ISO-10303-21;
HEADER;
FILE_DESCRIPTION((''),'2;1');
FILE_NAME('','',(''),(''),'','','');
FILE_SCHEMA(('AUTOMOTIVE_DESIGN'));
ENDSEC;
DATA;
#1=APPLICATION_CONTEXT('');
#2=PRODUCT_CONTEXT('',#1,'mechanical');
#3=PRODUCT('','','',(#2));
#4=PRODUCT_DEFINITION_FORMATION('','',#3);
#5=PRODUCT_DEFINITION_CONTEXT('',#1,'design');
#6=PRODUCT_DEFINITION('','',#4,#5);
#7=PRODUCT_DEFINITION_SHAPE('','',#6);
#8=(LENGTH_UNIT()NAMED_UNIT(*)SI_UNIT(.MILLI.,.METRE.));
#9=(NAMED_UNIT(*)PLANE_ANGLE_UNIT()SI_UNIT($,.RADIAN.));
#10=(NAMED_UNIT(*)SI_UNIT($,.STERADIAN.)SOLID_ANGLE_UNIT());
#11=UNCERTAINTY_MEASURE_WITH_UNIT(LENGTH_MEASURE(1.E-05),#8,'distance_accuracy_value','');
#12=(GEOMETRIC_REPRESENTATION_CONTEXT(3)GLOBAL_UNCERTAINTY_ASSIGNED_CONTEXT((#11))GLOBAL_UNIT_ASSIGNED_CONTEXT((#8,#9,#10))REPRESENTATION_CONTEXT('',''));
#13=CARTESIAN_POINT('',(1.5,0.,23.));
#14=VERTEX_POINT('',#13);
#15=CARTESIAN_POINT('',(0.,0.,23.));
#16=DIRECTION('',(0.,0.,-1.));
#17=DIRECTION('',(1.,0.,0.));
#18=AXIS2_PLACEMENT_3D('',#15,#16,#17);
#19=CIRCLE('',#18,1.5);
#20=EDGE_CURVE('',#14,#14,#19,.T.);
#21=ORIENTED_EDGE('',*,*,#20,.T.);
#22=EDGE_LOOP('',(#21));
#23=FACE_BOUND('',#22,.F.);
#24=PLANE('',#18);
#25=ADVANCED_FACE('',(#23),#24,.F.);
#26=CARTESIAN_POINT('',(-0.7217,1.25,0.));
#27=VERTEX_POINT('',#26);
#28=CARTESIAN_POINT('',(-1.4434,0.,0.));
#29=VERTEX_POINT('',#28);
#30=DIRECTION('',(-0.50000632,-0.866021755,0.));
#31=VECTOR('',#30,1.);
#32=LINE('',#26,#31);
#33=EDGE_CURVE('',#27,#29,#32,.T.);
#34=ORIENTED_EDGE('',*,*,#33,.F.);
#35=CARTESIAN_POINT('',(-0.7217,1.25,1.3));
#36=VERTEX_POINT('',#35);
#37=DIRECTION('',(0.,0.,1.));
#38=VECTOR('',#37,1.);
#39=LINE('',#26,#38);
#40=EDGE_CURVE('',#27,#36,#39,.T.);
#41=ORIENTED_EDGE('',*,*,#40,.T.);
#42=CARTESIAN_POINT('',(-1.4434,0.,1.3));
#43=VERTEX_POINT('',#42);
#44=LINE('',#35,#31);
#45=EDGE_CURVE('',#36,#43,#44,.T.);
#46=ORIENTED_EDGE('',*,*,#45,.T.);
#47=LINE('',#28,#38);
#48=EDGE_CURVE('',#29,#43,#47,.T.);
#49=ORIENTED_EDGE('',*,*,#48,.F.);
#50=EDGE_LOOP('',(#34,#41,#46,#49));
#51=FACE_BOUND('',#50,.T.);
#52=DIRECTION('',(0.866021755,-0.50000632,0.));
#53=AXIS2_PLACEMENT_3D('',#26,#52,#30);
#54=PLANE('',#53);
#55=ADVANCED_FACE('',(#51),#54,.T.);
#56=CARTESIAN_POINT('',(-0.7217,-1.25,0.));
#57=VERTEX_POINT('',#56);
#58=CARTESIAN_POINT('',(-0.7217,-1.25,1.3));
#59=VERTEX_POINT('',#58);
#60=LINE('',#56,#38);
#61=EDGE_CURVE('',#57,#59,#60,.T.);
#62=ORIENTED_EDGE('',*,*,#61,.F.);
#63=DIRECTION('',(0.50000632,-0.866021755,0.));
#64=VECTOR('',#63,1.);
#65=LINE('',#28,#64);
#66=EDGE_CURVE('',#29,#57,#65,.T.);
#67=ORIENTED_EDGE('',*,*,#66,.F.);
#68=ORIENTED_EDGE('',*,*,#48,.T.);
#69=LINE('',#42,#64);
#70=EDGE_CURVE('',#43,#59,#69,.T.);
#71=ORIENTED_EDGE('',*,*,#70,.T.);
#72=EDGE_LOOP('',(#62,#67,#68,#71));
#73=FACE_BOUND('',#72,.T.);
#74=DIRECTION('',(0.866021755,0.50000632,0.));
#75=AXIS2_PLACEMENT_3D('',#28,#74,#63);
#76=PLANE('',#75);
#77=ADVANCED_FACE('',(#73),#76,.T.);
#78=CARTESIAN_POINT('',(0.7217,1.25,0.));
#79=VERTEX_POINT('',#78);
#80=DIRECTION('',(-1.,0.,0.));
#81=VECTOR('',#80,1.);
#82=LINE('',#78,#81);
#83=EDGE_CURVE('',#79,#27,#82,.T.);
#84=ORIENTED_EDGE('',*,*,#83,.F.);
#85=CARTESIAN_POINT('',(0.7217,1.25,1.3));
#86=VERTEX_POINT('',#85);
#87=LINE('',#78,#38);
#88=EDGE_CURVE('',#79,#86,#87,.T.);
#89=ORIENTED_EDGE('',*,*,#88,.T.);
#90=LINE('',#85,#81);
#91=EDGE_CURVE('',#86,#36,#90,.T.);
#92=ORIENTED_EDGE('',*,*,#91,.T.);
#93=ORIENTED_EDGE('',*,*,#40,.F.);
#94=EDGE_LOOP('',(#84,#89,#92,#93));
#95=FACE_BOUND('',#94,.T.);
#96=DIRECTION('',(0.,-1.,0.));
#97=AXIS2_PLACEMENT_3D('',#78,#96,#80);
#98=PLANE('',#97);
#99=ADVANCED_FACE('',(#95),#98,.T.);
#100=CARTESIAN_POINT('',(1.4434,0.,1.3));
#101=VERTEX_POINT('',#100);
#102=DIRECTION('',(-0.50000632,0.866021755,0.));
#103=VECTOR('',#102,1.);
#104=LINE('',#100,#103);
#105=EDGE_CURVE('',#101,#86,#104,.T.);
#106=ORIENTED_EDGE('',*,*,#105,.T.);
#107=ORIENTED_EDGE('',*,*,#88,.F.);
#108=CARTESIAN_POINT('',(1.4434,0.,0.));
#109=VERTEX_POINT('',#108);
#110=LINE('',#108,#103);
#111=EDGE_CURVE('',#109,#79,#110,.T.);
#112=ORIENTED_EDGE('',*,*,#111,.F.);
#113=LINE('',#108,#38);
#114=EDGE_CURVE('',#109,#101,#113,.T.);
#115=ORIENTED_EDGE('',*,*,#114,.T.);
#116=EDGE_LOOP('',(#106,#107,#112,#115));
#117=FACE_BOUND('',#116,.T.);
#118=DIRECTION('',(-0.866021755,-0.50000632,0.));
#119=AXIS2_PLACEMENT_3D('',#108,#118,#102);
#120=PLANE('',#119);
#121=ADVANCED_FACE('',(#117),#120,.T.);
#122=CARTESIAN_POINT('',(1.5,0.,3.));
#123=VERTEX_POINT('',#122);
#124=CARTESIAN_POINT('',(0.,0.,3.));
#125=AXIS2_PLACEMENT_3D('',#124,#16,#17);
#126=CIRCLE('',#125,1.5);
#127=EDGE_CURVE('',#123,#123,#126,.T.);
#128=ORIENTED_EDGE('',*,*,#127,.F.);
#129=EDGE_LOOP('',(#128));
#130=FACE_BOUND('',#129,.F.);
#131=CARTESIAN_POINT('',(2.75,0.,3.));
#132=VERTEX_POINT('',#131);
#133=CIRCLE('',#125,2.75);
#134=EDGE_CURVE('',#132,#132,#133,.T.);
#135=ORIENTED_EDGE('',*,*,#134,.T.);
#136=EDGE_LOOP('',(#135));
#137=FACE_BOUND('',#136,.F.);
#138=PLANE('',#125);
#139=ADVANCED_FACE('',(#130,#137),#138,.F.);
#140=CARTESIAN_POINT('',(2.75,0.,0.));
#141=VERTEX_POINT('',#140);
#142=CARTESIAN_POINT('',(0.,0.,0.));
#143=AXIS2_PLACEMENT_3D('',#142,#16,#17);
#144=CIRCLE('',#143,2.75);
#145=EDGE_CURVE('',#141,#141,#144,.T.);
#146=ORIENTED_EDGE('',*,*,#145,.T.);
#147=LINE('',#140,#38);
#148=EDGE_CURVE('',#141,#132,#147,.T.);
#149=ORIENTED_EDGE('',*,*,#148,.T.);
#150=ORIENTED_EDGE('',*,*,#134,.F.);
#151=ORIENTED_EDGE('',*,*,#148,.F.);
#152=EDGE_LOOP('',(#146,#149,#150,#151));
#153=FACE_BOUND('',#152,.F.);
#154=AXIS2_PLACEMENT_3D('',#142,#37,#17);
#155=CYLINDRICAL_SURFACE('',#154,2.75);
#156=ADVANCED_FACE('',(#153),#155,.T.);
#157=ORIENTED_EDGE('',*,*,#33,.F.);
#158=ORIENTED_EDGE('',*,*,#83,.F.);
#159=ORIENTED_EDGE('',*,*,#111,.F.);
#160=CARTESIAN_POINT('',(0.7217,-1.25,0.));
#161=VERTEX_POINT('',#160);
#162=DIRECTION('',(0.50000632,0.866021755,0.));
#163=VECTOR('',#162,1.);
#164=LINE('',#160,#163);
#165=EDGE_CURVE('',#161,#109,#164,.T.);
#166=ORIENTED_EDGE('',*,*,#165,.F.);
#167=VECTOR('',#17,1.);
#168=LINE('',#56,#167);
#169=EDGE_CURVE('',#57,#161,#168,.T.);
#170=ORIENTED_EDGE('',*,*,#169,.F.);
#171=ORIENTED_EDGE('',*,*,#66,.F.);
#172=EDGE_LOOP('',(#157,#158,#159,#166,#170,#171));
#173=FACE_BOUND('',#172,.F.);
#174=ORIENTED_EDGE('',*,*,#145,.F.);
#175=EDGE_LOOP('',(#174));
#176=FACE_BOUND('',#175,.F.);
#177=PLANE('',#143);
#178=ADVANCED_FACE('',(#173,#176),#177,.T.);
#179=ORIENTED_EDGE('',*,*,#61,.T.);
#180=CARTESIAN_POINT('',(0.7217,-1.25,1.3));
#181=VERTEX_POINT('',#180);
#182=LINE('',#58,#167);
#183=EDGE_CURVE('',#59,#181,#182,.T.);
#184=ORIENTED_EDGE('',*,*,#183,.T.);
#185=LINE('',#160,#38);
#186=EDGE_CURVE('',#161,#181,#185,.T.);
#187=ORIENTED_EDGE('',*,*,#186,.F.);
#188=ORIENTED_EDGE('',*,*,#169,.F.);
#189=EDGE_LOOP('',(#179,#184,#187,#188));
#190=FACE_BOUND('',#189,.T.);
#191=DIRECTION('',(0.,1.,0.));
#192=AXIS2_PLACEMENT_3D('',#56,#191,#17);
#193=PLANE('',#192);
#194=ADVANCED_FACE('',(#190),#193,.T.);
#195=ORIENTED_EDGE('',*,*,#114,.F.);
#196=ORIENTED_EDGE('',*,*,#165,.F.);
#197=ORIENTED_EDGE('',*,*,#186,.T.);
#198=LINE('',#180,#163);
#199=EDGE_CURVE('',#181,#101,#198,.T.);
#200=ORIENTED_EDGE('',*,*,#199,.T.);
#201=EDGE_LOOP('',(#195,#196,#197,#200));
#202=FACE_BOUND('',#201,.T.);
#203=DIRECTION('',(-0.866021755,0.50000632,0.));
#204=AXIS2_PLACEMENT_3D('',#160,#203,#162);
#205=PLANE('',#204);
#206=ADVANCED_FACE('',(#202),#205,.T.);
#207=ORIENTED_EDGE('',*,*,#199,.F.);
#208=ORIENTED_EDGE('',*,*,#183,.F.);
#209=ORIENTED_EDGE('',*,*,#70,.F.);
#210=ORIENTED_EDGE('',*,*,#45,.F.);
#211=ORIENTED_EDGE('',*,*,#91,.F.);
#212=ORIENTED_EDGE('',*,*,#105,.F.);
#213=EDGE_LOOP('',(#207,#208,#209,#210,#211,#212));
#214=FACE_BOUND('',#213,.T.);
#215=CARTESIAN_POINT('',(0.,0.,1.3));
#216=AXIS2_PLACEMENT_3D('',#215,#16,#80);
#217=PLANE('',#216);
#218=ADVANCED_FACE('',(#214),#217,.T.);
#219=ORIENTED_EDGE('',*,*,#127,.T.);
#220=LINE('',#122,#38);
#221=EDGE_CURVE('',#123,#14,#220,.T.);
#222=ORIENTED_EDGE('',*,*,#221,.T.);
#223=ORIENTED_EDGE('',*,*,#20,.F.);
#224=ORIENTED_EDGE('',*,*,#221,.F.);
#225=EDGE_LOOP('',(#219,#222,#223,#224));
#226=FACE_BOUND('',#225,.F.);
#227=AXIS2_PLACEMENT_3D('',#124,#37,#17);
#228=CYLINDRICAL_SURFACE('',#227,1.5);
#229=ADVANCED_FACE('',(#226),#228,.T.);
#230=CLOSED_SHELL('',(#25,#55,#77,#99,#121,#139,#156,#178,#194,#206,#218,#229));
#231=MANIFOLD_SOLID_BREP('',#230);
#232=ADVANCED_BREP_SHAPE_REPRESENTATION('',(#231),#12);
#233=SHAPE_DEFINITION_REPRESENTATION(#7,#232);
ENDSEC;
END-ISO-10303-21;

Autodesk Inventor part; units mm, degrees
ref_plane "YZ Plane" through (0, 0, 0) normal (1, 0, 0) x (0, 1, 0)
ref_plane "XZ Plane" through (0, 0, 0) normal (0, 1, 0) x (-1, 0, 0)
ref_plane "XY Plane" through (0, 0, 0) normal (0, 0, 1) x (1, 0, 0)
sketch "Sketch1" plane through (0, 0, 0) normal (0, 1, 0) x (-1, 0, 0)
  line L0 (0, 0) -> (-2.75, 0)
  line L1 (-2.75, 0) -> (-2.75, 3)
  line L2 (-2.75, 3) -> (-1.5, 3)
  line L3 (-1.5, 3) -> (-1.5, 23)
  line L4 (-1.5, 23) -> (0, 23)
  line L5 (0, 23) -> (0, 0)
  dimension "ScrewLength" = 20
  dimension "Diameter" = 5.5
  dimension "Metric" = 3
  dimension "HeadLength" = 3
revolve "Revolution1" add sketch "Sketch1" angle 360 about axis through (0, 0, 23) along (0, 0, -1)
thread "Thread1" size "M3x0.5" class "6g" standard "ANSI Metric M Profile" full length
sketch "Sketch2" plane through (0, 0, 0) normal (0, 0, -1) x (-1, 0, 0)
  line L0 (0.7217, 1.25) -> (1.4434, 0)
  line L1 (1.4434, 0) -> (0.7217, -1.25)
  line L2 (0.7217, -1.25) -> (-0.7217, -1.25)
  line L3 (-0.7217, -1.25) -> (-1.4434, 0)
  line L4 (-1.4434, 0) -> (-0.7217, 1.25)
  line L5 (-0.7217, 1.25) -> (0.7217, 1.25)
  point P0 (0, 0)
  point P1 (0, 0)
  dimension "WidthAcrossFlat" = 2.5
extrude "Extrusion1" cut sketch "Sketch2" against normal blind 1.3
properties part number "UC-0320" material "Stainless Steel AISI 304"
